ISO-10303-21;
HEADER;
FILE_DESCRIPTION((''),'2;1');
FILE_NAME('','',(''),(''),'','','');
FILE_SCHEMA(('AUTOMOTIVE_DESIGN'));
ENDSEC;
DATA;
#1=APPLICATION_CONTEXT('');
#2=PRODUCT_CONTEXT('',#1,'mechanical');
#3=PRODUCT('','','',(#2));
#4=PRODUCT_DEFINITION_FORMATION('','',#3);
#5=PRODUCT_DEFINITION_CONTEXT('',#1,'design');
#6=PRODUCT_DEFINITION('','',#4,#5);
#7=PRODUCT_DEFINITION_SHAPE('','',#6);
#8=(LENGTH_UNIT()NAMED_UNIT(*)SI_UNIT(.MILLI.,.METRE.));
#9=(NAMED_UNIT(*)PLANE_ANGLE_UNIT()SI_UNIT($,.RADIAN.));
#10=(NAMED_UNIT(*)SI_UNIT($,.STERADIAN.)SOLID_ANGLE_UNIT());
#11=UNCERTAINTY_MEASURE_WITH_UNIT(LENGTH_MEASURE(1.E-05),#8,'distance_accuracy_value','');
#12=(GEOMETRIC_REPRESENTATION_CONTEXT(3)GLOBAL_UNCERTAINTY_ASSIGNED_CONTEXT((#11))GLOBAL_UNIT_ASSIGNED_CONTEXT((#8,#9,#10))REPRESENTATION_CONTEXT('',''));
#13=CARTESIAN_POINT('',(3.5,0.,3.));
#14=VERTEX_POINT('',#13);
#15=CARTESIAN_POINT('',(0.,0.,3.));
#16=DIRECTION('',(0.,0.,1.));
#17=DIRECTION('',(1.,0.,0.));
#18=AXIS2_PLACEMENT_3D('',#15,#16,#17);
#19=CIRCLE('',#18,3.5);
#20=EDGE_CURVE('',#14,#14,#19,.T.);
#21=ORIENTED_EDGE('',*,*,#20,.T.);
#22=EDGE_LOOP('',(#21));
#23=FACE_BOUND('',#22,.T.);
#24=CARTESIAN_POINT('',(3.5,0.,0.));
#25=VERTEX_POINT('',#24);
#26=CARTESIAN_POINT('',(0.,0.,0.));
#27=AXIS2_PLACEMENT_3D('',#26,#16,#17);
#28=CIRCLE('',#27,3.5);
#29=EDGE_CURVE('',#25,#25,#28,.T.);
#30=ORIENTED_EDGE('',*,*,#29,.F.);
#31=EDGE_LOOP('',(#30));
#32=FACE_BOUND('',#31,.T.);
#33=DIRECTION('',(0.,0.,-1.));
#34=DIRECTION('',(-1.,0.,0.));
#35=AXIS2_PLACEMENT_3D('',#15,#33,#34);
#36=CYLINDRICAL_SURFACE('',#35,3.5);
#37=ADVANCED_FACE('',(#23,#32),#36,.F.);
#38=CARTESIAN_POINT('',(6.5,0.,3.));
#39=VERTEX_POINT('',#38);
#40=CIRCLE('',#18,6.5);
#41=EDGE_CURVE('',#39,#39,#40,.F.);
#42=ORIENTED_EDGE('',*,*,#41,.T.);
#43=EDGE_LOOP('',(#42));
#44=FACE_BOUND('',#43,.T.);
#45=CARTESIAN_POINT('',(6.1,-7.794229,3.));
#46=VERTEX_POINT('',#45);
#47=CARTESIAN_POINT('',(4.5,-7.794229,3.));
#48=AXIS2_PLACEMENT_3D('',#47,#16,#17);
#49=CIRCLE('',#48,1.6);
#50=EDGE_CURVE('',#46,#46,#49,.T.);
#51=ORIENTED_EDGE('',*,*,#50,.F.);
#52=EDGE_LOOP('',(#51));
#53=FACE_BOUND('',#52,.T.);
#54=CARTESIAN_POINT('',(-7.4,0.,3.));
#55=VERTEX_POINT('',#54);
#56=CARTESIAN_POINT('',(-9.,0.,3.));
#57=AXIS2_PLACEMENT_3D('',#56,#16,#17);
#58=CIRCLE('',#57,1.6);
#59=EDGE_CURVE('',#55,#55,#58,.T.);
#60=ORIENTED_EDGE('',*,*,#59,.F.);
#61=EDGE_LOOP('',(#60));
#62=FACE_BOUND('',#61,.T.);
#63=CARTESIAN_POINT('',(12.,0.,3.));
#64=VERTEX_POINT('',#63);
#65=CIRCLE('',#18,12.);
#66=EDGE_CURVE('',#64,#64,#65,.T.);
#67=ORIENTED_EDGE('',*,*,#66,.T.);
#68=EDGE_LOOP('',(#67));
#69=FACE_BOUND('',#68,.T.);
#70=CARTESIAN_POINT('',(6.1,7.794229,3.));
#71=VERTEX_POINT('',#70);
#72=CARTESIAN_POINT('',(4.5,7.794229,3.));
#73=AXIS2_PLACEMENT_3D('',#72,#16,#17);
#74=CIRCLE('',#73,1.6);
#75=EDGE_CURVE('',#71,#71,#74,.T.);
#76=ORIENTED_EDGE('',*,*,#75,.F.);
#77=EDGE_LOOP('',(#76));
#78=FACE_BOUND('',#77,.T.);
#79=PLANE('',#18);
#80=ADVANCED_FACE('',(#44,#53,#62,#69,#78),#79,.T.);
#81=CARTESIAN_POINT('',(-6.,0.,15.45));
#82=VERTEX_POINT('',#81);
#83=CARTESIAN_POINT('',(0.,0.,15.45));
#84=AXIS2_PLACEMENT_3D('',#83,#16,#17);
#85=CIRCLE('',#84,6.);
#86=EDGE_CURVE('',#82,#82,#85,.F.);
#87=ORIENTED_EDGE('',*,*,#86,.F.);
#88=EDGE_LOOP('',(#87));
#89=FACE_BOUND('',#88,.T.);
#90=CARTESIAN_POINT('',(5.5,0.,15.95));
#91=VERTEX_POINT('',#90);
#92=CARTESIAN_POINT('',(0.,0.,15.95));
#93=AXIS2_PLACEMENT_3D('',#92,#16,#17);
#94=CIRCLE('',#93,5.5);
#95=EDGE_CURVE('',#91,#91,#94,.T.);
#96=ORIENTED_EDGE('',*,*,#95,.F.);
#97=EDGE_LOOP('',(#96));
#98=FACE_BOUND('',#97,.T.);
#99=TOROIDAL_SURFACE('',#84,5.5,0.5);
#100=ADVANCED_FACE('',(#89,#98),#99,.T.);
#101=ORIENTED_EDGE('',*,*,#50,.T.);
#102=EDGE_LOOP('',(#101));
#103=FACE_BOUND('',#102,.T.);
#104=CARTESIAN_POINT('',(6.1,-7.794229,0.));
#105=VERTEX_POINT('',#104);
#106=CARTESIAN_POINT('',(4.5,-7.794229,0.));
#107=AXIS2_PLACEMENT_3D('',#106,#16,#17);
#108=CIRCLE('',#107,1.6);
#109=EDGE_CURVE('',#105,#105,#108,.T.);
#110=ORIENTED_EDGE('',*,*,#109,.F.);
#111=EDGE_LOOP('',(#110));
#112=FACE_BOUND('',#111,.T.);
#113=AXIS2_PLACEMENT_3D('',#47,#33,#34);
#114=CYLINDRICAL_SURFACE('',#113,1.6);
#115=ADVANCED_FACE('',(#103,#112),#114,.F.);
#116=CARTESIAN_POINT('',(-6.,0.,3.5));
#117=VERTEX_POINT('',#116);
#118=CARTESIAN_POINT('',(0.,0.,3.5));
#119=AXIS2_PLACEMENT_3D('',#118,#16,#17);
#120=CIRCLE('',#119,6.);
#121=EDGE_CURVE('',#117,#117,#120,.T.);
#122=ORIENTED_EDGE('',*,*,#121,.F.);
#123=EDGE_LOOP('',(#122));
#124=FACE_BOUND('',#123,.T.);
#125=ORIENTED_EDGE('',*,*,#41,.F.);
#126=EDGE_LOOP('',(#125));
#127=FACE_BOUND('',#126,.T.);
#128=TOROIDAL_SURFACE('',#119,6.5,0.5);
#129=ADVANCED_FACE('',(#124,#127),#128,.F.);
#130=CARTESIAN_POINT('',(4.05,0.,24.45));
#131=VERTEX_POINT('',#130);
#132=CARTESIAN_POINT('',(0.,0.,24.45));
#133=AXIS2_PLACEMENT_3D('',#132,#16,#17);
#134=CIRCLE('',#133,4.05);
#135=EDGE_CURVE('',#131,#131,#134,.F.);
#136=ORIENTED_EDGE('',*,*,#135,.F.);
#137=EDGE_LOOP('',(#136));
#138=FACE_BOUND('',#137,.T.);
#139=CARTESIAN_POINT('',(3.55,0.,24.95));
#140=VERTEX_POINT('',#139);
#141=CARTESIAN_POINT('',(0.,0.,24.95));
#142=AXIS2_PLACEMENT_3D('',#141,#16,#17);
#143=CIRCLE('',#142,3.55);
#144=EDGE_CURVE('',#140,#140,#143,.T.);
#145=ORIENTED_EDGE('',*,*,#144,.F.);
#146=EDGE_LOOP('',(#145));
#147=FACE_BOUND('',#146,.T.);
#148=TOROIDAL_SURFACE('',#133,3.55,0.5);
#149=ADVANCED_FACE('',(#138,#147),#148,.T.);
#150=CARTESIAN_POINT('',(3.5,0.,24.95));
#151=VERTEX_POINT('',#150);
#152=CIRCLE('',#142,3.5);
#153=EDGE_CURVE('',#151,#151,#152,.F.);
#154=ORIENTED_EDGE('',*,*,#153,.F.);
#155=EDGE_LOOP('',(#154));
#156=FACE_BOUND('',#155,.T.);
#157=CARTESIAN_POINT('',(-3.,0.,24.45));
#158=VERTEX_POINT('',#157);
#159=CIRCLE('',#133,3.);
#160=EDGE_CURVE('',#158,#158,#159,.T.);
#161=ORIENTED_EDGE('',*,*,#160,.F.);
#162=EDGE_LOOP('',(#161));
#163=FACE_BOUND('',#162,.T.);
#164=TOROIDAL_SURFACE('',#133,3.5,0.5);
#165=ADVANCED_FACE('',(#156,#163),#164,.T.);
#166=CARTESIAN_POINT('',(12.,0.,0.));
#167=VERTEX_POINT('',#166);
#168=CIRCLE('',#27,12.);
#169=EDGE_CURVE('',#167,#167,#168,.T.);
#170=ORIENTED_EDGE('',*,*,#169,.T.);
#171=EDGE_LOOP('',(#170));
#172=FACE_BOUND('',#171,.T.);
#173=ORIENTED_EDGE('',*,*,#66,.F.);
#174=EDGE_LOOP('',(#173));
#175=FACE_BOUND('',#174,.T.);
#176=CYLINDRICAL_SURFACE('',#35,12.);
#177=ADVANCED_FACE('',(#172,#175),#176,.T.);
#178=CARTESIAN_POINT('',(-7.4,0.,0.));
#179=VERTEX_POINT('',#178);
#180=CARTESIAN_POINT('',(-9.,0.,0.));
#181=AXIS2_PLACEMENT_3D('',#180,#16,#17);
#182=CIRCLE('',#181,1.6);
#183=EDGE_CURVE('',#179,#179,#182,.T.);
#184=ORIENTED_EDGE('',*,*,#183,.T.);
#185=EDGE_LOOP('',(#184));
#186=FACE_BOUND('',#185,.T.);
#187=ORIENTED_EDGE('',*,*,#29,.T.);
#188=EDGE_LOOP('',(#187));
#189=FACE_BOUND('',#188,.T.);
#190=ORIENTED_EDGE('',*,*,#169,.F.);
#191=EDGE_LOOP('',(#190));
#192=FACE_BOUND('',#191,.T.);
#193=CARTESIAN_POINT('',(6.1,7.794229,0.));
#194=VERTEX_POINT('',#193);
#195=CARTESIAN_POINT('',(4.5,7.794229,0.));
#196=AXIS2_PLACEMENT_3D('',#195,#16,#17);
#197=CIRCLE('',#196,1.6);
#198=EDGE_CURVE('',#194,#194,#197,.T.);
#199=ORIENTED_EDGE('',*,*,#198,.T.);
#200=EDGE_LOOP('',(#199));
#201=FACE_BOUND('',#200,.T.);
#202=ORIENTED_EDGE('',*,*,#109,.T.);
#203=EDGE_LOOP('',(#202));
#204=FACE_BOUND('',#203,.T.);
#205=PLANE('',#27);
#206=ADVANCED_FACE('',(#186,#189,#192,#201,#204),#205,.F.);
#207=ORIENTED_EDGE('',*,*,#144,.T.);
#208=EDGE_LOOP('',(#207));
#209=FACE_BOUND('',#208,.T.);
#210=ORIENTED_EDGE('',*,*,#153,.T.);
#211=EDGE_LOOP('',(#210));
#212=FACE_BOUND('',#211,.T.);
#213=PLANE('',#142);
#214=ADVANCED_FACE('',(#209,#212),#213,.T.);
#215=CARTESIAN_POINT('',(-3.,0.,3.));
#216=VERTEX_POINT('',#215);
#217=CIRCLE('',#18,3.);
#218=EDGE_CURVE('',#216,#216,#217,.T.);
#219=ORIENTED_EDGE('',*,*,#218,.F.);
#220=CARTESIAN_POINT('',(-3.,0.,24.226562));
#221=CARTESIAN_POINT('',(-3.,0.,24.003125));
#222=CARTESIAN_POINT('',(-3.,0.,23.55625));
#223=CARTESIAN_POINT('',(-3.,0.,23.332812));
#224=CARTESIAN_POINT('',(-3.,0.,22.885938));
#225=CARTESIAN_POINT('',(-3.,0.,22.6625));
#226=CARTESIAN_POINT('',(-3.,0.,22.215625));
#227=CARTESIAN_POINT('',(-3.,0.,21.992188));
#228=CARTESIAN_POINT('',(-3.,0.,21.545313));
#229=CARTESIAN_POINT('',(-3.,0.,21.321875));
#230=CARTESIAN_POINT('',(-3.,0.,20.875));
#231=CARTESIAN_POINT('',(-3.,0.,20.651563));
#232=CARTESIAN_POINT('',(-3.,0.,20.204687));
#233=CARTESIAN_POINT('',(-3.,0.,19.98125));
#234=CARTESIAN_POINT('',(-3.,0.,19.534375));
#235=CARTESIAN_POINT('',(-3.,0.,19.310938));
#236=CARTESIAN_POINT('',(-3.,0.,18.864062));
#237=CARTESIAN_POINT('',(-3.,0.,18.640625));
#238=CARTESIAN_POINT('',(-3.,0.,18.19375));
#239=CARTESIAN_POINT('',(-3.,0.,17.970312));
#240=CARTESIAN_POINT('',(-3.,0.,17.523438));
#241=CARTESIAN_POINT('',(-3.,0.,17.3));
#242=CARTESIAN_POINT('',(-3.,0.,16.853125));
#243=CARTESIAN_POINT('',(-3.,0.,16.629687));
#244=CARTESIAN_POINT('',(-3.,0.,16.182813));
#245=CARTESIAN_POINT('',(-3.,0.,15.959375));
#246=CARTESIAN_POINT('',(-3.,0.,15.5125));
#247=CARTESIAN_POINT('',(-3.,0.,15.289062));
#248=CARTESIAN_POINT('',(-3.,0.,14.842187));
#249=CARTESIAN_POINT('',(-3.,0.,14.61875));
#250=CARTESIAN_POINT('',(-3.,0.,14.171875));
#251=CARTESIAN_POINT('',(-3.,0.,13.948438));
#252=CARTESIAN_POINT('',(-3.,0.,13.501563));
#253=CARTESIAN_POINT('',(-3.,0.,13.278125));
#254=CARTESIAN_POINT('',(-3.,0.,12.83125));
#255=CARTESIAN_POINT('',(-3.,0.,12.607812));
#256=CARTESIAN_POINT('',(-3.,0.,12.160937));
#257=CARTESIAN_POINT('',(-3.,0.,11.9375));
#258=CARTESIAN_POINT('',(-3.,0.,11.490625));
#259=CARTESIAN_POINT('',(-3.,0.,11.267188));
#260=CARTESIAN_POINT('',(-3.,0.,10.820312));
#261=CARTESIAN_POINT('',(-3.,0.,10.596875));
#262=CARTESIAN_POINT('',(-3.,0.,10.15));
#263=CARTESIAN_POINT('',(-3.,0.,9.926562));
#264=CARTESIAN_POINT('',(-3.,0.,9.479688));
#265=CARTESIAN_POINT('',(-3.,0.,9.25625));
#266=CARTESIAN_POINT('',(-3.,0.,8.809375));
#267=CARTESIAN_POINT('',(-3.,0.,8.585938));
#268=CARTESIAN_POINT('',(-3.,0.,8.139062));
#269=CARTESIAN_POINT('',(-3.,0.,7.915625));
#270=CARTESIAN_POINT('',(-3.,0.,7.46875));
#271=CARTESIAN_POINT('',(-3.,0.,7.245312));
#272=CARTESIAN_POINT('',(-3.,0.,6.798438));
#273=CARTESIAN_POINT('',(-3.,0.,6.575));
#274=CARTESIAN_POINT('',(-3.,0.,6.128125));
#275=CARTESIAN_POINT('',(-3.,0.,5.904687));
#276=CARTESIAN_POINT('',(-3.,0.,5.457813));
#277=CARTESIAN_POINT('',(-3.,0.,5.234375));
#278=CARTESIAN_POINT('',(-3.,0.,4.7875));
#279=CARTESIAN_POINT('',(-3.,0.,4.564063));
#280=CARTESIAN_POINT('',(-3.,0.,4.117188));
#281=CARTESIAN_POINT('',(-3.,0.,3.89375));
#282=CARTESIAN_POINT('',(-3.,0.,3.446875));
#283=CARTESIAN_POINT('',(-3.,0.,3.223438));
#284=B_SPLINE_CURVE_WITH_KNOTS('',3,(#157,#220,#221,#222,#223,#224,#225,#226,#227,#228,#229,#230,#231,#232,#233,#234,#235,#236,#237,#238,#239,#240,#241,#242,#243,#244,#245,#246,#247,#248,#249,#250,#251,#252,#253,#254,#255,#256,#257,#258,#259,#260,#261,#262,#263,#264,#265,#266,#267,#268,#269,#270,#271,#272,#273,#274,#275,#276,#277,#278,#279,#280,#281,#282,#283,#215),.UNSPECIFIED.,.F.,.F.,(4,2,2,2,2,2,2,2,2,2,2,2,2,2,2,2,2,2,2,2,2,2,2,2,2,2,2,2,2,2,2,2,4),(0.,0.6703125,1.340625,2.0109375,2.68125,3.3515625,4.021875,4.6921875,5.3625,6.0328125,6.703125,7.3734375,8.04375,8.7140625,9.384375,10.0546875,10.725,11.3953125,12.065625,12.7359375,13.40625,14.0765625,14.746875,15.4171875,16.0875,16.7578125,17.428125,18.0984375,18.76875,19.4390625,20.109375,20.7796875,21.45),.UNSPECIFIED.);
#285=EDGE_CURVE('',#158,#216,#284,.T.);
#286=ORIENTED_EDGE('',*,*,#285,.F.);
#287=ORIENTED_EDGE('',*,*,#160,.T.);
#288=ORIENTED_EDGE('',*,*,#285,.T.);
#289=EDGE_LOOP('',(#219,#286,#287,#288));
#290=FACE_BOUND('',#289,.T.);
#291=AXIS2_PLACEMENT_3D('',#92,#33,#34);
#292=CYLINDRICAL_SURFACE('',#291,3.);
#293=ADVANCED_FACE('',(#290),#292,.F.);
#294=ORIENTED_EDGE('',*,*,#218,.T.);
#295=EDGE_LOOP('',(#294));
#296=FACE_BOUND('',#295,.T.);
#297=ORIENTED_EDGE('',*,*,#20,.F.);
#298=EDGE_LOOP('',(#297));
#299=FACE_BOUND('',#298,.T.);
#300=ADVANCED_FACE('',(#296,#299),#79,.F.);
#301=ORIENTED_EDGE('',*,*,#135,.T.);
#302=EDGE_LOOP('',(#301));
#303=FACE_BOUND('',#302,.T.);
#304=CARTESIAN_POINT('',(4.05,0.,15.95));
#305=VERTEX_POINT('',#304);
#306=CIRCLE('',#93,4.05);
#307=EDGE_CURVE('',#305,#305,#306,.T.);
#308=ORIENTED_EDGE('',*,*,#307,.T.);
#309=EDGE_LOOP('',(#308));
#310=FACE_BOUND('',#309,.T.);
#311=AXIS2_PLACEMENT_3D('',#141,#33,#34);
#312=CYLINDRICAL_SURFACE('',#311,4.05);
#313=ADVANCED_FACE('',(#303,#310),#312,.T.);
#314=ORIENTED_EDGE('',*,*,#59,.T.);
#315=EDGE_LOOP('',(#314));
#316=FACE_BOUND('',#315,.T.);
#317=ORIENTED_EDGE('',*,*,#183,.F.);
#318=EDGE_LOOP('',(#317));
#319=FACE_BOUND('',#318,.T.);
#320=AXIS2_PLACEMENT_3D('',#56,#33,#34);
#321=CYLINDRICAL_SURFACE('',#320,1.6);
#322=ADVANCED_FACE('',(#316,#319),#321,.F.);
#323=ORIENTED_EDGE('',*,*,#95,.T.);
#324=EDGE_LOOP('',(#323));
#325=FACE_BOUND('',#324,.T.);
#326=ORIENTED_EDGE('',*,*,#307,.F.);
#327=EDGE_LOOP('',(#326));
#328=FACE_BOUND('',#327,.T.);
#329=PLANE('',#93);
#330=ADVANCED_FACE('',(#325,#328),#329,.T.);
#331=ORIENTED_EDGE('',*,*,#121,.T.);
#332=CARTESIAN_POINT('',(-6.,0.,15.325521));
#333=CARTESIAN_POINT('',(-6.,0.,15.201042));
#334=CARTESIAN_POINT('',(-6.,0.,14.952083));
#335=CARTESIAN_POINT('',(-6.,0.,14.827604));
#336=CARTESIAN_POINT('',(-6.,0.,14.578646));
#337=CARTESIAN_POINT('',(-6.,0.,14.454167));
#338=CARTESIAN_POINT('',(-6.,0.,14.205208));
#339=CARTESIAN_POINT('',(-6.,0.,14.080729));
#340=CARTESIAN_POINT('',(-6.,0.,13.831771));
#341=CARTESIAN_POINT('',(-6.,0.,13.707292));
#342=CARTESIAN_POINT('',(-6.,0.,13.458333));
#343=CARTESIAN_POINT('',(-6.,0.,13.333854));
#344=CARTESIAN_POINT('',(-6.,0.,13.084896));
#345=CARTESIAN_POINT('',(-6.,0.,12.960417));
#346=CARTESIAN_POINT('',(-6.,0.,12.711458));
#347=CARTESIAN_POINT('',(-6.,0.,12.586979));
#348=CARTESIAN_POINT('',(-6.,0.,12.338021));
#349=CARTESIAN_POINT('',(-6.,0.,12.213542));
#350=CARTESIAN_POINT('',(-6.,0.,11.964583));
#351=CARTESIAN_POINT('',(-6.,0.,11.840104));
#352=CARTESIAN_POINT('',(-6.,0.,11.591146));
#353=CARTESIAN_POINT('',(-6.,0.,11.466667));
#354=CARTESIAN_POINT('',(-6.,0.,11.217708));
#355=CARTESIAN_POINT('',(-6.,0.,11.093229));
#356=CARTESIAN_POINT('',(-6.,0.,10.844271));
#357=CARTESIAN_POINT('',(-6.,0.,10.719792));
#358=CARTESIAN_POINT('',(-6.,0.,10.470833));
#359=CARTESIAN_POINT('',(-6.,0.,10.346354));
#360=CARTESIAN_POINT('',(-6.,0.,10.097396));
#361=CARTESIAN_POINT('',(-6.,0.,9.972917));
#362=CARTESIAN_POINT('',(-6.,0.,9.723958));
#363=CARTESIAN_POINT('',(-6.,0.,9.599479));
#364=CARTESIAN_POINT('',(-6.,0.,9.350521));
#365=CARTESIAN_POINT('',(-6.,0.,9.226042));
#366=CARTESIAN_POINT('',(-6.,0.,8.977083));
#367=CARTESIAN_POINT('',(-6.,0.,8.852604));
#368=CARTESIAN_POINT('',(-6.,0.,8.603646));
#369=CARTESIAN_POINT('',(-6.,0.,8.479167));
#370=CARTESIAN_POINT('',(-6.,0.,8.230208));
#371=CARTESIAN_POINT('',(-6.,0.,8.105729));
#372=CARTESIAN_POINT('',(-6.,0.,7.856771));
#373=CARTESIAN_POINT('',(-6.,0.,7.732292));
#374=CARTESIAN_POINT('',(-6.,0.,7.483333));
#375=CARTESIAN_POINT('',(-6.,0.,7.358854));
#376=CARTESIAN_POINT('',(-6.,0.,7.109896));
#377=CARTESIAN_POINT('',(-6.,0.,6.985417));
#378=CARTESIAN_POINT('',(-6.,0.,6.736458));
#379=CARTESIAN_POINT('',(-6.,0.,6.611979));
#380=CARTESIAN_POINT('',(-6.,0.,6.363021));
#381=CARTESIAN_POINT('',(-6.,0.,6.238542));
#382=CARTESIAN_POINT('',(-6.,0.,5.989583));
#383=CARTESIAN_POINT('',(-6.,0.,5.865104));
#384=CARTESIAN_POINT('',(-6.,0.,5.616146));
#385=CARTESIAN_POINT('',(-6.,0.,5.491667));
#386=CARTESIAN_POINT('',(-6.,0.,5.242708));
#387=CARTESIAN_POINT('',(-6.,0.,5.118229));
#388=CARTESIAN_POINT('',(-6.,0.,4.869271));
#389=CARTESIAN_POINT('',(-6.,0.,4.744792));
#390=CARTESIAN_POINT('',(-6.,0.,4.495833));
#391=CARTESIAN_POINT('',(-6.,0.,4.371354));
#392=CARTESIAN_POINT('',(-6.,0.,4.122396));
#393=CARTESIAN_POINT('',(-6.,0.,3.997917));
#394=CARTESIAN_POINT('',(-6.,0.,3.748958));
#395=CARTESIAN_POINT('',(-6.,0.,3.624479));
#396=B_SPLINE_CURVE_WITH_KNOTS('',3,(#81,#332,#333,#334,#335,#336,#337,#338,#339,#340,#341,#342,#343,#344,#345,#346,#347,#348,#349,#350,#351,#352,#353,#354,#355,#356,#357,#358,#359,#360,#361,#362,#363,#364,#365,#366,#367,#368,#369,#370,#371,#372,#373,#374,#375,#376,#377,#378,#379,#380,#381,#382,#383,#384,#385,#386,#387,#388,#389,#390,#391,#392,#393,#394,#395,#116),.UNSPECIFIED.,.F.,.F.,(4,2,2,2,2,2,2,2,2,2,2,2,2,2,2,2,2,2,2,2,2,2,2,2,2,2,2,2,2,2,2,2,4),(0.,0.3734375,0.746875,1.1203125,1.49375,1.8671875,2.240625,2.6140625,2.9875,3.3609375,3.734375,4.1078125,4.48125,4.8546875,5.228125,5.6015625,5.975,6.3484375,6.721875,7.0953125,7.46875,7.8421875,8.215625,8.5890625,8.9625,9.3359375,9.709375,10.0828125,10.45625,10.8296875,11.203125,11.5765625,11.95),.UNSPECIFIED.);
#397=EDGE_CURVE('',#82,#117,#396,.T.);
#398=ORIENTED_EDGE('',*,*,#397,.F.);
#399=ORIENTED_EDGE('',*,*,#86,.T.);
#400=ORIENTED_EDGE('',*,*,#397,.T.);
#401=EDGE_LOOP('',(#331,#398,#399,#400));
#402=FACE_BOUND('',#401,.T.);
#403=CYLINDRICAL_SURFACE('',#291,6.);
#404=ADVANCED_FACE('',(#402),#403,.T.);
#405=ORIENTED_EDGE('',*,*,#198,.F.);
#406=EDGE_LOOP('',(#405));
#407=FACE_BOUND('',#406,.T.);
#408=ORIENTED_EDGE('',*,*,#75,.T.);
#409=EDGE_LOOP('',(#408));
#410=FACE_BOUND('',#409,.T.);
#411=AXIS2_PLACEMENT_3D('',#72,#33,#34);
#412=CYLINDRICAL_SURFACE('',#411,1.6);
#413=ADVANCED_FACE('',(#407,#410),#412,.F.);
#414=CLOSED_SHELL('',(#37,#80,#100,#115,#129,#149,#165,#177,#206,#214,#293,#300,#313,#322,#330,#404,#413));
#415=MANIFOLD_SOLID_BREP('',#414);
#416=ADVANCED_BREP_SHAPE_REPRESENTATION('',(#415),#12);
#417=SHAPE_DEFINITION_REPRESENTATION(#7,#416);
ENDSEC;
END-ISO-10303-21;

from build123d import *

# Parameters (mm, degrees)
CROQUIS1_R              = 12
CROQUIS1_R_2            = 1.6
CROQUIS1_R_3            = 3.5
SALIENTE_EXTRUIR1_DEPTH = 3
CROQUIS2_R              = 6
CROQUIS2_R_2            = 3
SALIENTE_EXTRUIR2_DEPTH = 12.95
CROQUIS3_R              = 4.05
CROQUIS3_R_2            = 3
SALIENTE_EXTRUIR3_DEPTH = 9
REDONDEO1_R             = 0.5


with BuildPart() as part:
    # Croquis1 → Saliente-Extruir1 (new body)
    with BuildSketch(Plane(origin=(0, 0, 0), x_dir=(0, 1, 0), z_dir=(0, 0, 1))):
        with Locations(Location((0, 0, 0), (0, 0, 270))):
            Circle(CROQUIS1_R)
        with Locations(Location((0, 9, 0), (0, 0, 270))):
            Circle(CROQUIS1_R_2, mode=Mode.SUBTRACT)
        with Locations(Location((7.794228634, -4.5, 0), (0, 0, 270))):
            Circle(CROQUIS1_R_2, mode=Mode.SUBTRACT)
        with Locations(Location((-7.794228634, -4.5, 0), (0, 0, 270))):
            Circle(CROQUIS1_R_2, mode=Mode.SUBTRACT)
        with Locations(Location((0, 0, 0), (0, 0, 270))):
            Circle(CROQUIS1_R_3, mode=Mode.SUBTRACT)
    extrude(amount=SALIENTE_EXTRUIR1_DEPTH)

    # Croquis2 → Saliente-Extruir2 (add)
    with BuildSketch(Plane.XY.offset(3)):
        with Locations(Location((0, 0, 0), (0, 0, 180))):
            Circle(CROQUIS2_R)
        with Locations(Location((0, 0, 0), (0, 0, 180))):
            Circle(CROQUIS2_R_2, mode=Mode.SUBTRACT)
    extrude(amount=SALIENTE_EXTRUIR2_DEPTH)

    # Croquis3 → Saliente-Extruir3 (add)
    with BuildSketch(Plane.XY.offset(15.95)):
        Circle(CROQUIS3_R)
        with Locations(Location((0, 0, 0), (0, 0, 180))):
            Circle(CROQUIS3_R_2, mode=Mode.SUBTRACT)
    extrude(amount=SALIENTE_EXTRUIR3_DEPTH)

    # Redondeo1
    redondeo1_edges = [part.edges().sort_by_distance(p)[0] for p in [
        (6, 0, 3),
        (6, 0, 15.95),
        (-4.05, 0, 24.95),
        (3, 0, 24.95),
    ]]
    fillet(redondeo1_edges, radius=REDONDEO1_R)


solid = part.part
